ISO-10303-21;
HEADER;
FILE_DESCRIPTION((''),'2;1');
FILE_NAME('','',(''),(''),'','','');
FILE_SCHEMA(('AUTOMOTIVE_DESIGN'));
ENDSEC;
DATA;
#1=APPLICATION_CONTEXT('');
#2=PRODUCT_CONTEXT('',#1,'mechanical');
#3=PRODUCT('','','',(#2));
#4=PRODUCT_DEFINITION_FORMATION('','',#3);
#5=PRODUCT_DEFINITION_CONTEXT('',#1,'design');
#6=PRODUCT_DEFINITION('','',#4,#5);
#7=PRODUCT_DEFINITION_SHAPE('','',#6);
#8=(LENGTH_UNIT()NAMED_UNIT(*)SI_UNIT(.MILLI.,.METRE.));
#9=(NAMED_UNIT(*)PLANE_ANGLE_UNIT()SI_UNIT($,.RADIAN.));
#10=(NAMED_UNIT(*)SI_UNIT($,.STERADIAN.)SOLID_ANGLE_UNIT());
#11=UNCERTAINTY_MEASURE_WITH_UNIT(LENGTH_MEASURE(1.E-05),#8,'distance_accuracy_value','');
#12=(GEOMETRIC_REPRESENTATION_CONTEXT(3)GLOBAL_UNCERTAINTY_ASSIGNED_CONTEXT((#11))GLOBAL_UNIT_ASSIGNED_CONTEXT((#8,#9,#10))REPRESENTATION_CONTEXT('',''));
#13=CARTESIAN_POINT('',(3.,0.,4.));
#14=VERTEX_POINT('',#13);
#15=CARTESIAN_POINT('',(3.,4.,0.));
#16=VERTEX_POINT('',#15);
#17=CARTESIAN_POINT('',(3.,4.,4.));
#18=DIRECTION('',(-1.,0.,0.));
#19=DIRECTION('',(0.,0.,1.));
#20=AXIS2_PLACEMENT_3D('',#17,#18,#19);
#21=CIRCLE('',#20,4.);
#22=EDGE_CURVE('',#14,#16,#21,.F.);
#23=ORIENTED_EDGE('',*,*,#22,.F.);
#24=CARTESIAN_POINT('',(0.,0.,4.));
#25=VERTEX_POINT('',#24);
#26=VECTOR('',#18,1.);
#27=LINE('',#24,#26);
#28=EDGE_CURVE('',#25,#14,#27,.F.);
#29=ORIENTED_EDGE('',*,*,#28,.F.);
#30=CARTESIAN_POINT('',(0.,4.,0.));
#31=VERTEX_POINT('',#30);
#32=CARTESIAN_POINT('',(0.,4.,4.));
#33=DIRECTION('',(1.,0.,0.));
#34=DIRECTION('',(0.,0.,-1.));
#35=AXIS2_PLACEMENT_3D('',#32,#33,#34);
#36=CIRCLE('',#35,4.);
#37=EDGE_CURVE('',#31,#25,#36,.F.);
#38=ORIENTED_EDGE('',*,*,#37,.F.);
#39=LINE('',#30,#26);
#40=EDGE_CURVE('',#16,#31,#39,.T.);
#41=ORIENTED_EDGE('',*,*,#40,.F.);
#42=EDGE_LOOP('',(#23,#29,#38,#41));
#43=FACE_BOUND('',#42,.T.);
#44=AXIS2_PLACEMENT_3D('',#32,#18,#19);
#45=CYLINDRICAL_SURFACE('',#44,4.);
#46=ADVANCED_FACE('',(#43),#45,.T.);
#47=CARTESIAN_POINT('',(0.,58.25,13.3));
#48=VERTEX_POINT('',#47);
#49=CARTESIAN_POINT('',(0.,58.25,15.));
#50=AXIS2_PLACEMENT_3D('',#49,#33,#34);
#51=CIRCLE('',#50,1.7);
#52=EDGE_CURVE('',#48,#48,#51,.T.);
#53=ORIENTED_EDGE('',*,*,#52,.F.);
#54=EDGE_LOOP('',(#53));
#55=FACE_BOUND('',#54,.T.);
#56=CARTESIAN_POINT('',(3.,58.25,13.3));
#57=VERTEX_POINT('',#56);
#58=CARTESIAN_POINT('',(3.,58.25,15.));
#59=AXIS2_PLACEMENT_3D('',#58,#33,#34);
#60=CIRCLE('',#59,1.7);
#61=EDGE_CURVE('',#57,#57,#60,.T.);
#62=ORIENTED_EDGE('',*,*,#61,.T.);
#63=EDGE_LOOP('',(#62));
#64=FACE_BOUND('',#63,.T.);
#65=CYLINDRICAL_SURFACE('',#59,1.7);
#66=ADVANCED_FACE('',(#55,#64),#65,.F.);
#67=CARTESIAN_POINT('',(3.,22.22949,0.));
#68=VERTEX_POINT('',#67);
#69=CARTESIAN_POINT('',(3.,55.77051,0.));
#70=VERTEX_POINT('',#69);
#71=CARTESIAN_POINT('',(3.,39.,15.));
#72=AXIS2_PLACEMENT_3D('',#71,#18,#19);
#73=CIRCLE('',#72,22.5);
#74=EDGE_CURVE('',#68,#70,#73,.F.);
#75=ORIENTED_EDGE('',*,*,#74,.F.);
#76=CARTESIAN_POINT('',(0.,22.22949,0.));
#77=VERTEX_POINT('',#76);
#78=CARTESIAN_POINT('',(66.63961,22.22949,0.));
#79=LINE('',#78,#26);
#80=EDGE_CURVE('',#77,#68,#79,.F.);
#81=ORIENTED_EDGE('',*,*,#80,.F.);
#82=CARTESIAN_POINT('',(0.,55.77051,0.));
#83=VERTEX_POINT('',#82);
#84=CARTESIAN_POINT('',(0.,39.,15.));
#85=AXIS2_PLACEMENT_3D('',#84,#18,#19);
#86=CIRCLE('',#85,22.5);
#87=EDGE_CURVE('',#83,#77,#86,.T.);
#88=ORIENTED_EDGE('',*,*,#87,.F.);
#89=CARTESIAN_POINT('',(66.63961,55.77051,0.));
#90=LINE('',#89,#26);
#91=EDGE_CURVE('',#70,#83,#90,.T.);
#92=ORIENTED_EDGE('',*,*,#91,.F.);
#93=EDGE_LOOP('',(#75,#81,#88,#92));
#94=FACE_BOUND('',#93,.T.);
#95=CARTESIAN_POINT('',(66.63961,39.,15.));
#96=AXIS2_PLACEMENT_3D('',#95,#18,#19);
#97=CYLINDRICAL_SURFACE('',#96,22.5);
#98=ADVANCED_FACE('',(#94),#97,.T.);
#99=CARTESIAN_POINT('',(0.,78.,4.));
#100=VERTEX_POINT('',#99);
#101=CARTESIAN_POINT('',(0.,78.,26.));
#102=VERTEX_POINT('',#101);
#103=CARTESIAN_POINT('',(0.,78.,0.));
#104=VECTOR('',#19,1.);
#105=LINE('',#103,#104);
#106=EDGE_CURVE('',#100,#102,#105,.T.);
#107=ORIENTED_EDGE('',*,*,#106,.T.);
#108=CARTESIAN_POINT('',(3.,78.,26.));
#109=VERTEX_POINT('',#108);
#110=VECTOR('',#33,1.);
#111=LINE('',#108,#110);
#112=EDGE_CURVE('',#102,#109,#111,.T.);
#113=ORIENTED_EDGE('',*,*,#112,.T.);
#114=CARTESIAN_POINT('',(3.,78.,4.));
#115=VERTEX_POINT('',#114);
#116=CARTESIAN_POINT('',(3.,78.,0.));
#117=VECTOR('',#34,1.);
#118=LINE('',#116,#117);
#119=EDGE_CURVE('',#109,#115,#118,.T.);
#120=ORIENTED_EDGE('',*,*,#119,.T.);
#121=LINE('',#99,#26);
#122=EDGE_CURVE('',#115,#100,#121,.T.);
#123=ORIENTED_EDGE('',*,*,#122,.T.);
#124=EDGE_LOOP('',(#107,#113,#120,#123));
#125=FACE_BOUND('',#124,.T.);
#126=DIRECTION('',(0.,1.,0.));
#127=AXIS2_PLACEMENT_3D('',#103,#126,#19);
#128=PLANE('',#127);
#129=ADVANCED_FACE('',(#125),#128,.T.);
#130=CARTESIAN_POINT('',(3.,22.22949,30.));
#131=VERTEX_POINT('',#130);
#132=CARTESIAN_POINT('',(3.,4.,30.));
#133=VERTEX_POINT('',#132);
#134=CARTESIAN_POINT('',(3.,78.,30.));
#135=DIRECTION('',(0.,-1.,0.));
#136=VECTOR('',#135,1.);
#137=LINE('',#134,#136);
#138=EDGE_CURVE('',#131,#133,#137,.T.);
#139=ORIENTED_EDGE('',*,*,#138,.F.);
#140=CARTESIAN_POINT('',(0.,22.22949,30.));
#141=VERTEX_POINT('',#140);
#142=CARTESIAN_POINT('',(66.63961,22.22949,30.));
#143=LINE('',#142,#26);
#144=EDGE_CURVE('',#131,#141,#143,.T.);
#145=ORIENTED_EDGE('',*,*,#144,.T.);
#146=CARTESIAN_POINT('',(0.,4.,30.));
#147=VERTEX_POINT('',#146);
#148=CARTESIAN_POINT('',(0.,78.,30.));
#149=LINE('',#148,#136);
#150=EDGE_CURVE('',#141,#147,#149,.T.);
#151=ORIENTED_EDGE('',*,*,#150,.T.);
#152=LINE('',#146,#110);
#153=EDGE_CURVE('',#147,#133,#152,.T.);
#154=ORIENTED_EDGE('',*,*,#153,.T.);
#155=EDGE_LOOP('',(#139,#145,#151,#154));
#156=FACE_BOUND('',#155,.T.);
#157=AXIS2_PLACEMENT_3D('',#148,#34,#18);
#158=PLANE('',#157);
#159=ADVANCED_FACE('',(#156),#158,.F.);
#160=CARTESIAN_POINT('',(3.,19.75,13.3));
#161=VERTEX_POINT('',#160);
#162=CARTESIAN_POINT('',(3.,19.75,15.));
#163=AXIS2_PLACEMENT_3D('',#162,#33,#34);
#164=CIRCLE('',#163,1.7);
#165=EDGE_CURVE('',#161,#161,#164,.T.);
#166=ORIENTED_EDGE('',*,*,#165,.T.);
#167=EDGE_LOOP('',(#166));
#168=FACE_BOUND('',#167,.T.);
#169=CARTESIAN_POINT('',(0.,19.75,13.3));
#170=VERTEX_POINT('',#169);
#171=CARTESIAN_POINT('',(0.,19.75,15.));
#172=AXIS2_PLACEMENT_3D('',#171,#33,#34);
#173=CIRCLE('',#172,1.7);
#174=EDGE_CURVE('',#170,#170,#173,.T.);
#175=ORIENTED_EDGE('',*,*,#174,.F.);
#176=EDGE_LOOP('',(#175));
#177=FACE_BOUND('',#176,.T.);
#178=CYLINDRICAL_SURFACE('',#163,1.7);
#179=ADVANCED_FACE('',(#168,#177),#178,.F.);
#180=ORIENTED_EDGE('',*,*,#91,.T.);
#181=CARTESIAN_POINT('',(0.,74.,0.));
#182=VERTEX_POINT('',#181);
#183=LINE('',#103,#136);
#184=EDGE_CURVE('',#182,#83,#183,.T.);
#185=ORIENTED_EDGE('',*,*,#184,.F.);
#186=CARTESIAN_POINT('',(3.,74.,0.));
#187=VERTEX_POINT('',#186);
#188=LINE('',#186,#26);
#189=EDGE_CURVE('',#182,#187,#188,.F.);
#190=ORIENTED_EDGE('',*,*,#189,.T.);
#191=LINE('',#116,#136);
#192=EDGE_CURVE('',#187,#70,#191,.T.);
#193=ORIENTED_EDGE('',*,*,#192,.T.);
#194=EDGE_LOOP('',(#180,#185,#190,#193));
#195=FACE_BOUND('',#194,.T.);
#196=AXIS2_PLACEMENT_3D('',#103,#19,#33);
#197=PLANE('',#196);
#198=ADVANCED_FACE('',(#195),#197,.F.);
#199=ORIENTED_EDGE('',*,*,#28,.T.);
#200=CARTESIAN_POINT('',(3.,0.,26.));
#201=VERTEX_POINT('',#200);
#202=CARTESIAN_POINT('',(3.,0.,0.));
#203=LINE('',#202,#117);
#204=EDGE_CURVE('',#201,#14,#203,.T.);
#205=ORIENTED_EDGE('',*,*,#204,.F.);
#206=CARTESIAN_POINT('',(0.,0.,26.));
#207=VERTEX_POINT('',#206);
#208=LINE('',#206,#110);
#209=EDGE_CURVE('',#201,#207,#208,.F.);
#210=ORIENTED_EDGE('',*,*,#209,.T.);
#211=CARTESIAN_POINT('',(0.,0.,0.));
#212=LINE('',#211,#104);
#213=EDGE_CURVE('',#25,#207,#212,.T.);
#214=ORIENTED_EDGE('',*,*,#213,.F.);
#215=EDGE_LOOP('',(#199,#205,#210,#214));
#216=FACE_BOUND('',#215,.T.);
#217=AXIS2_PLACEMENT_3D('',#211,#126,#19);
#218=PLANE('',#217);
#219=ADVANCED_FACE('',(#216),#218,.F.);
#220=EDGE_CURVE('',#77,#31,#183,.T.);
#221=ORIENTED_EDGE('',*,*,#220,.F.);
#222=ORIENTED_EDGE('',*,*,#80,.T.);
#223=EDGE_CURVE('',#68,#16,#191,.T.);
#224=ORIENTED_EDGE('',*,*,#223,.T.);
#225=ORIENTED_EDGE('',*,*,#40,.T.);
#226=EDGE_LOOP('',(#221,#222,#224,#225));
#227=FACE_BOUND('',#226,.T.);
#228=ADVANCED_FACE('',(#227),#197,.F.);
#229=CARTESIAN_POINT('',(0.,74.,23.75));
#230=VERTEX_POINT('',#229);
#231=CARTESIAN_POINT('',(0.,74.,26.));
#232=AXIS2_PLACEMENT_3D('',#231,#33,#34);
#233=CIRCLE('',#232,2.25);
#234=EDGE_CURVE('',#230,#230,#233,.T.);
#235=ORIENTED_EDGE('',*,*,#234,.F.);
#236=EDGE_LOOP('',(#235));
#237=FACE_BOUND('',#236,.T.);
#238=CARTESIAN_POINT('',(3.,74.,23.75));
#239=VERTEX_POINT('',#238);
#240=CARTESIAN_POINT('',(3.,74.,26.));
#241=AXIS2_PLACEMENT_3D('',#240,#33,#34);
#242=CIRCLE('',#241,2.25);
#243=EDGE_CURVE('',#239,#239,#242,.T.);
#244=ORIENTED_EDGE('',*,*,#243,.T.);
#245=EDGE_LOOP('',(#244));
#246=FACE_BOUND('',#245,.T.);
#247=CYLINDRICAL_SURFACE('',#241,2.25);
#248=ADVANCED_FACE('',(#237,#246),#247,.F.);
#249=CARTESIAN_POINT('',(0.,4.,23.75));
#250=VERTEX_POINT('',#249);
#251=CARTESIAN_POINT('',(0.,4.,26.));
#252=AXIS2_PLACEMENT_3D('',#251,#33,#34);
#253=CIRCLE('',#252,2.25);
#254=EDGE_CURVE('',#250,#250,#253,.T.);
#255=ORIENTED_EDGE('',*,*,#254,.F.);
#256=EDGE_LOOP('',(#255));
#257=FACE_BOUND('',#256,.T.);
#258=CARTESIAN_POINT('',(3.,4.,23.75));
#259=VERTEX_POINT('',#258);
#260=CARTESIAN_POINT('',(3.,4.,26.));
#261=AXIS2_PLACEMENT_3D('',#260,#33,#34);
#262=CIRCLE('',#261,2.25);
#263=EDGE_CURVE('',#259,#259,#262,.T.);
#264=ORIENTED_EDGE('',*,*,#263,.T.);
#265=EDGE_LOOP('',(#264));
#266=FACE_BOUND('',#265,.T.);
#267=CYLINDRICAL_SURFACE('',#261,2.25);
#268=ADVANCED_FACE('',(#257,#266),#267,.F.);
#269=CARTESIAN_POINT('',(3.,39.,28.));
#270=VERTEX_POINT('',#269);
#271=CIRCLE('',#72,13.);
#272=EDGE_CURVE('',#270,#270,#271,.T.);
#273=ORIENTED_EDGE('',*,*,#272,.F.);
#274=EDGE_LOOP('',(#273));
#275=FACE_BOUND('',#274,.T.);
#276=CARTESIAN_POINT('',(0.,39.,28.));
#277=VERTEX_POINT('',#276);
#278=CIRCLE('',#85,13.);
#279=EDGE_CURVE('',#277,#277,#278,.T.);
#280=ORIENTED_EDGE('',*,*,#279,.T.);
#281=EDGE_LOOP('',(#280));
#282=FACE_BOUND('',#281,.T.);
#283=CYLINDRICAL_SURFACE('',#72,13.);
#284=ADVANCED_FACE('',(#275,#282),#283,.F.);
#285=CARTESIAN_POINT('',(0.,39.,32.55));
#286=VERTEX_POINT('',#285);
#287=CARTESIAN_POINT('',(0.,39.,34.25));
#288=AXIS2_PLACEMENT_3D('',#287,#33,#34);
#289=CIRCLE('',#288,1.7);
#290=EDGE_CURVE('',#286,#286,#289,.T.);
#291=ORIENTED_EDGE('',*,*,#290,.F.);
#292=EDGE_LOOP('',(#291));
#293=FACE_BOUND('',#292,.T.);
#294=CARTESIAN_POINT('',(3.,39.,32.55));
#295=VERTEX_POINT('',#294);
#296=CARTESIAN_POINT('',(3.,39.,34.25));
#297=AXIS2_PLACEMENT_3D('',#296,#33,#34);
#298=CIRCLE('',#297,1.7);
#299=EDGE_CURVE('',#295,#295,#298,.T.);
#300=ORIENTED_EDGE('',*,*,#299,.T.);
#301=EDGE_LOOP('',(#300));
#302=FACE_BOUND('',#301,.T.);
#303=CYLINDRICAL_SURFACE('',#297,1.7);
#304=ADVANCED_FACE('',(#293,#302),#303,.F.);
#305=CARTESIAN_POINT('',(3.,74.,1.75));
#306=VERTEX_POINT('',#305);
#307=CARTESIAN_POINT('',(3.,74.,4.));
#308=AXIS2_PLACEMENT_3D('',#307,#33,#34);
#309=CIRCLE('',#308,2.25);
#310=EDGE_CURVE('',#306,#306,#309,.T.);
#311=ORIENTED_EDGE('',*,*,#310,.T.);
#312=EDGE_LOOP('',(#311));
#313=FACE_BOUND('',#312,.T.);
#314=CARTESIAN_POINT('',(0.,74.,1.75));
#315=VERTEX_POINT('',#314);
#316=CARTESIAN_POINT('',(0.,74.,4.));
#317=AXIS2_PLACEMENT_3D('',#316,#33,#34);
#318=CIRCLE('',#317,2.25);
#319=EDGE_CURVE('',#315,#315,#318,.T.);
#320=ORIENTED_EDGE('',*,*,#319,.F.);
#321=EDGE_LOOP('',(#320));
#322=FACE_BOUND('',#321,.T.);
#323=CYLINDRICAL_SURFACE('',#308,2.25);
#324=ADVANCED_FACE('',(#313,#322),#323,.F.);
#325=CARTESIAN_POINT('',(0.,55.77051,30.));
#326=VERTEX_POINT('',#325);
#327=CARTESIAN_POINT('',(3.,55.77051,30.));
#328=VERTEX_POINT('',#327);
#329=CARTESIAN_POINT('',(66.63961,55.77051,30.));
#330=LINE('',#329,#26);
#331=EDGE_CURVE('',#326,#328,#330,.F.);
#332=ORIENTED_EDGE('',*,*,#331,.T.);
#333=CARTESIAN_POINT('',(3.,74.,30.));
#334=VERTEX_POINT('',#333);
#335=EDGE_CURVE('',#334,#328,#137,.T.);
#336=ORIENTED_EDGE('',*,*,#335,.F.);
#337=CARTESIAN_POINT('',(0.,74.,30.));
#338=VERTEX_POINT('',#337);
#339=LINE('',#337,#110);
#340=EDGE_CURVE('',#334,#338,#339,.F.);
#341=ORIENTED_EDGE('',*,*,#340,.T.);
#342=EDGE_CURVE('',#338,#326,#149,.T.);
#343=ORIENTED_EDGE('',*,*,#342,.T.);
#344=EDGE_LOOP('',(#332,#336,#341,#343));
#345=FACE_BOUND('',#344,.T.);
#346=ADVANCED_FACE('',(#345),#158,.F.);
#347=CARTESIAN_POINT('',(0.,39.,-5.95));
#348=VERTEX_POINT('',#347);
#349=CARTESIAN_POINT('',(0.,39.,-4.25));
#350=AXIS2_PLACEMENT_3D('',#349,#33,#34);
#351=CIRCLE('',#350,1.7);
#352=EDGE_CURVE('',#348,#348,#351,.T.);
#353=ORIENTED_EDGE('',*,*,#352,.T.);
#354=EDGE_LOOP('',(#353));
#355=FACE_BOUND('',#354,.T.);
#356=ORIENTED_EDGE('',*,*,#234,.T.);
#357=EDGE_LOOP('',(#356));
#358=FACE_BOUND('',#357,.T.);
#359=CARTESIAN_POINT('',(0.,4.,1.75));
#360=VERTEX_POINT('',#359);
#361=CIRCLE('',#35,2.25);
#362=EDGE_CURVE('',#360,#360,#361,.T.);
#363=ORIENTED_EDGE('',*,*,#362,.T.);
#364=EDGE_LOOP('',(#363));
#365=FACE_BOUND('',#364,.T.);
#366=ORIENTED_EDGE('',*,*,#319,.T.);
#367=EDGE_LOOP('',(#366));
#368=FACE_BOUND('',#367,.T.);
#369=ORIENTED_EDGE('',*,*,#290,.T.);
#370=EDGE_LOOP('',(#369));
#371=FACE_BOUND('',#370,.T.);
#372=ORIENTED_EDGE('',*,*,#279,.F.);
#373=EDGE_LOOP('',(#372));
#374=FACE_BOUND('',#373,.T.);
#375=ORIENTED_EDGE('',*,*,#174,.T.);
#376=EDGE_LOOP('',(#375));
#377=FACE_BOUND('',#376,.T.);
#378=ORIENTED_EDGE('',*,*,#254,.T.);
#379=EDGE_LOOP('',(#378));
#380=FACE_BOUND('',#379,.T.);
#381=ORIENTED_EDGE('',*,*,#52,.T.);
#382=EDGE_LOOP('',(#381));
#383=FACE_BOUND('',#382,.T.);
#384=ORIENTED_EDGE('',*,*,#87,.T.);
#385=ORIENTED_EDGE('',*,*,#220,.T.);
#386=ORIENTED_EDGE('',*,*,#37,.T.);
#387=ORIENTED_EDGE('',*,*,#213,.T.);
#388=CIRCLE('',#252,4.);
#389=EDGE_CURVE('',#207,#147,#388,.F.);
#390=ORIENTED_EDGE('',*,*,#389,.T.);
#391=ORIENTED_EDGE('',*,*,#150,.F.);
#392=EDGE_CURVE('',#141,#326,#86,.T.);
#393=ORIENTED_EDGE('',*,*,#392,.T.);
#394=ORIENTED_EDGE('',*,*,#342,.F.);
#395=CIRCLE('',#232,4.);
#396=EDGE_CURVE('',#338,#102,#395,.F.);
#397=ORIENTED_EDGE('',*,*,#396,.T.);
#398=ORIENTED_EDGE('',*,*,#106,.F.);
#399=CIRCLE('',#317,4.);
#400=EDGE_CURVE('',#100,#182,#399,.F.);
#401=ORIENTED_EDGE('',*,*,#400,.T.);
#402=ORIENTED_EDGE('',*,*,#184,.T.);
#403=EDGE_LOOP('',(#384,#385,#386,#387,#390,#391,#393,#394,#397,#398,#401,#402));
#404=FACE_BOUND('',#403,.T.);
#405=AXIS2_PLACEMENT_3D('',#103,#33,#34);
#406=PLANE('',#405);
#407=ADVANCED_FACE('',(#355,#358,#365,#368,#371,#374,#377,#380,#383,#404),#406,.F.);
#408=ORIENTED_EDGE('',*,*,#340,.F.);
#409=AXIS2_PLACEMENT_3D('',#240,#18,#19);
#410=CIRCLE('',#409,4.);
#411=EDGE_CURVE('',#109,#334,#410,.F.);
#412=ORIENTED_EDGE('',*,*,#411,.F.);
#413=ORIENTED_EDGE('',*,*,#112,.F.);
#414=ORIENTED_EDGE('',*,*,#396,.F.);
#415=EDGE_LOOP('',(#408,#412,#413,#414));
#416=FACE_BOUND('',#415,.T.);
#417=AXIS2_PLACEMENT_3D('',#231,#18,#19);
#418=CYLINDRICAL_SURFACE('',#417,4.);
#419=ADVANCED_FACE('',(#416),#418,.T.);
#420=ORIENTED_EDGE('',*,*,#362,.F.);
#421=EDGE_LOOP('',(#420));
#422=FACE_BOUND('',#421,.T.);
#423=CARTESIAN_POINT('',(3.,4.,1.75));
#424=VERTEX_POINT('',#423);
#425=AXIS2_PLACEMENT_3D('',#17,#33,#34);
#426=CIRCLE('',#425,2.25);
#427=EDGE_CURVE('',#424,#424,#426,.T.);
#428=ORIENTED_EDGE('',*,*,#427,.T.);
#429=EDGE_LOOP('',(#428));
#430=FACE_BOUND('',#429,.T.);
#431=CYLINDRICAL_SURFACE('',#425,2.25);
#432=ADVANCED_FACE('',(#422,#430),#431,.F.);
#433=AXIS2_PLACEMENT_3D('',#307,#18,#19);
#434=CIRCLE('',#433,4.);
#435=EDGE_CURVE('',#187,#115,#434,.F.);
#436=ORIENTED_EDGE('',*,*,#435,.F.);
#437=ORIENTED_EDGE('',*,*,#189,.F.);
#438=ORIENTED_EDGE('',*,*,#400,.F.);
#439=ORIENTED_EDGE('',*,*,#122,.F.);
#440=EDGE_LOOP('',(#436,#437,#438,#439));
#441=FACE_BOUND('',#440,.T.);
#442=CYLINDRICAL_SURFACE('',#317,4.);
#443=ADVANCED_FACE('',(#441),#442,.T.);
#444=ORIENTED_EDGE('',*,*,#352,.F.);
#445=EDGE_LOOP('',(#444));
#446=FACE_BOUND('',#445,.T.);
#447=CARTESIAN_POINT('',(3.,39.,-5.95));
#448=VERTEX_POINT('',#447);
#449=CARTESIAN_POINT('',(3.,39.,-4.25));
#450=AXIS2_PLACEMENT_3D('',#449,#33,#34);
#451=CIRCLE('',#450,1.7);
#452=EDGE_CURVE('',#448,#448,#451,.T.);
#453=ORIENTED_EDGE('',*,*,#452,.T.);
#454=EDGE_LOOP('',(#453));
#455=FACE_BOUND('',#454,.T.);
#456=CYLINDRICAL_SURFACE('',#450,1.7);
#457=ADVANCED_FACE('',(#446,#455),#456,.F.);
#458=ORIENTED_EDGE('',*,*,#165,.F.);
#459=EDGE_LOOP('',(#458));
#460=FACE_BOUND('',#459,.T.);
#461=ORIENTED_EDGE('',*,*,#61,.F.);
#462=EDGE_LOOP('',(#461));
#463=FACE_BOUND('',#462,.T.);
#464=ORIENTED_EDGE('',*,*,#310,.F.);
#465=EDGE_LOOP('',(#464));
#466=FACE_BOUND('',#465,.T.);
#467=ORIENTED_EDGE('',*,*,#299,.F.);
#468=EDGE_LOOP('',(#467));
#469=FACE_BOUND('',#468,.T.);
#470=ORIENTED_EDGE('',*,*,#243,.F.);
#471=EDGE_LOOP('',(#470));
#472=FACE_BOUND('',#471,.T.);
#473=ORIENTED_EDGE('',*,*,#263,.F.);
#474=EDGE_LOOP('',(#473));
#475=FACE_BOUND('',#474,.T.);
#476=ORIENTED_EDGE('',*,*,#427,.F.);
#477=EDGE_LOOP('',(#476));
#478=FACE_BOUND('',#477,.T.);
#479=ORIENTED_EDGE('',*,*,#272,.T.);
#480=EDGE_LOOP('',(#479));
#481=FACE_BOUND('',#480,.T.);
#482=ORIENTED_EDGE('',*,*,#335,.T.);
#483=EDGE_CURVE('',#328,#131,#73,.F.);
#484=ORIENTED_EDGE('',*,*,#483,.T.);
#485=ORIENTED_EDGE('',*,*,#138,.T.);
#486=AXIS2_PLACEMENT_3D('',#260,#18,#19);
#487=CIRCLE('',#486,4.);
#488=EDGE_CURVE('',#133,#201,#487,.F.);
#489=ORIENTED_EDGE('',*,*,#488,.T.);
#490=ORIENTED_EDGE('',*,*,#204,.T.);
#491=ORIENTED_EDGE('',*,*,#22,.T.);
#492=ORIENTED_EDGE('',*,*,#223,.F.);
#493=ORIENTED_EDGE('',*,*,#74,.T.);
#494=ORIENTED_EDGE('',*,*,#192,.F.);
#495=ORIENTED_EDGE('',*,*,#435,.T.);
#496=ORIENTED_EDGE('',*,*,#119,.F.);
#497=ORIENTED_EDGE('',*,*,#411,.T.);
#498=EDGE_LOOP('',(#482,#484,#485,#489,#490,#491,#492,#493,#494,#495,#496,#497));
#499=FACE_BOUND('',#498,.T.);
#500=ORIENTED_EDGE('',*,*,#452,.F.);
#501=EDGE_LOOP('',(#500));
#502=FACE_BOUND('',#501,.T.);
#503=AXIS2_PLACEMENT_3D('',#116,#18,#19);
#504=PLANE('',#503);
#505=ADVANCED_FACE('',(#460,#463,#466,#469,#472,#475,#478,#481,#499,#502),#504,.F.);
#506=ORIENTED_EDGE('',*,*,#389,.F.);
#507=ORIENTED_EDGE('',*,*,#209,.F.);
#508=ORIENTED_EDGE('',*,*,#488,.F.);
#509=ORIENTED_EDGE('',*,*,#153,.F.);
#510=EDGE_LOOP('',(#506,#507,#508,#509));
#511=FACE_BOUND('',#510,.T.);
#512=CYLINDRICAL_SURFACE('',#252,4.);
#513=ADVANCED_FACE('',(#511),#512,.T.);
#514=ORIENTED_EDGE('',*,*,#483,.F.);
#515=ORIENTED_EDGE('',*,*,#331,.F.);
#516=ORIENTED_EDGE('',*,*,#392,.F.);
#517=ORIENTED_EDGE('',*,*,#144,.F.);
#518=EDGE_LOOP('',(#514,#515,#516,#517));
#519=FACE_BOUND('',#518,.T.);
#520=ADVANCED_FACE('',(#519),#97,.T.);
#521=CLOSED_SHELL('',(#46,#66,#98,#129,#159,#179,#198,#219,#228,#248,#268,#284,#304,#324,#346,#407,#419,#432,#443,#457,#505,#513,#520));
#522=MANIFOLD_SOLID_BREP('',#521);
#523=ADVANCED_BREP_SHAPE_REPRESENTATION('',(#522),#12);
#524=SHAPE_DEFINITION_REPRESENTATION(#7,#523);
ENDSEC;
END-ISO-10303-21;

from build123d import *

# Parameters (mm, degrees)
SKETCH_1_W          = 3
SKETCH_1_H          = 30
EXTRUDE_1_DEPTH     = 78
SKETCH_2_R          = 22.5
EXTRUDE_2_DEPTH     = 3
SKETCH_3_R          = 13
CUT_EXTRUDE_1_DEPTH = 87.598210143
HOLE_WIZARD_M31_D   = 3.4
HOLE_WIZARD_M41_D   = 4.5
FILLET_1_R          = 4


with BuildPart() as part:
    # Эскиз1 → Бобышка-Вытянуть1 (new body)
    with BuildSketch(Plane(origin=(0, 0, 0), x_dir=(1, 0, 0), z_dir=(0, 1, 0))):
        with Locations((1.5, -15)):
            Rectangle(SKETCH_1_W, SKETCH_1_H)
    extrude(amount=EXTRUDE_1_DEPTH)

    # Эскиз2 → Бобышка-Вытянуть2 (add)
    with BuildSketch(Plane.ZY):
        with Locations((15, 39)):
            Circle(SKETCH_2_R)
    extrude(amount=-EXTRUDE_2_DEPTH)

    # Эскиз3 → Вырез-Вытянуть1 (cut, through all)
    with BuildSketch(Plane.ZY):
        with Locations((15, 39)):
            Circle(SKETCH_3_R)
    extrude(amount=-CUT_EXTRUDE_1_DEPTH, mode=Mode.SUBTRACT)

    # Отверстие с зазором M31 (through all)
    with Locations(Plane(origin=(3, -25.024735225, 7.262908886), x_dir=(0, 0, 1), z_dir=(1, 0, 0))):
        with Locations((7.737091114, -83.274735225), (-11.512908886, -64.024735225), (7.737091114, -44.774735225), (26.987091114, -64.024735225)):
            Hole(HOLE_WIZARD_M31_D / 2)

    # Отверстие с зазором M41 (through all)
    with Locations(Plane(origin=(3, 0, 0), x_dir=(0, 0, -1), z_dir=(1, 0, 0))):
        with Locations((-26, 74), (-4, 74), (-4, 4), (-26, 4)):
            Hole(HOLE_WIZARD_M41_D / 2)

    # Скругление1
    fillet_1_edges = [part.edges().sort_by_distance(p)[0] for p in [
        (1.5, 78, 0),
        (1.5, 0, 0),
        (1.5, 0, 30),
        (1.5, 78, 30),
    ]]
    fillet(fillet_1_edges, radius=FILLET_1_R)


solid = part.part
